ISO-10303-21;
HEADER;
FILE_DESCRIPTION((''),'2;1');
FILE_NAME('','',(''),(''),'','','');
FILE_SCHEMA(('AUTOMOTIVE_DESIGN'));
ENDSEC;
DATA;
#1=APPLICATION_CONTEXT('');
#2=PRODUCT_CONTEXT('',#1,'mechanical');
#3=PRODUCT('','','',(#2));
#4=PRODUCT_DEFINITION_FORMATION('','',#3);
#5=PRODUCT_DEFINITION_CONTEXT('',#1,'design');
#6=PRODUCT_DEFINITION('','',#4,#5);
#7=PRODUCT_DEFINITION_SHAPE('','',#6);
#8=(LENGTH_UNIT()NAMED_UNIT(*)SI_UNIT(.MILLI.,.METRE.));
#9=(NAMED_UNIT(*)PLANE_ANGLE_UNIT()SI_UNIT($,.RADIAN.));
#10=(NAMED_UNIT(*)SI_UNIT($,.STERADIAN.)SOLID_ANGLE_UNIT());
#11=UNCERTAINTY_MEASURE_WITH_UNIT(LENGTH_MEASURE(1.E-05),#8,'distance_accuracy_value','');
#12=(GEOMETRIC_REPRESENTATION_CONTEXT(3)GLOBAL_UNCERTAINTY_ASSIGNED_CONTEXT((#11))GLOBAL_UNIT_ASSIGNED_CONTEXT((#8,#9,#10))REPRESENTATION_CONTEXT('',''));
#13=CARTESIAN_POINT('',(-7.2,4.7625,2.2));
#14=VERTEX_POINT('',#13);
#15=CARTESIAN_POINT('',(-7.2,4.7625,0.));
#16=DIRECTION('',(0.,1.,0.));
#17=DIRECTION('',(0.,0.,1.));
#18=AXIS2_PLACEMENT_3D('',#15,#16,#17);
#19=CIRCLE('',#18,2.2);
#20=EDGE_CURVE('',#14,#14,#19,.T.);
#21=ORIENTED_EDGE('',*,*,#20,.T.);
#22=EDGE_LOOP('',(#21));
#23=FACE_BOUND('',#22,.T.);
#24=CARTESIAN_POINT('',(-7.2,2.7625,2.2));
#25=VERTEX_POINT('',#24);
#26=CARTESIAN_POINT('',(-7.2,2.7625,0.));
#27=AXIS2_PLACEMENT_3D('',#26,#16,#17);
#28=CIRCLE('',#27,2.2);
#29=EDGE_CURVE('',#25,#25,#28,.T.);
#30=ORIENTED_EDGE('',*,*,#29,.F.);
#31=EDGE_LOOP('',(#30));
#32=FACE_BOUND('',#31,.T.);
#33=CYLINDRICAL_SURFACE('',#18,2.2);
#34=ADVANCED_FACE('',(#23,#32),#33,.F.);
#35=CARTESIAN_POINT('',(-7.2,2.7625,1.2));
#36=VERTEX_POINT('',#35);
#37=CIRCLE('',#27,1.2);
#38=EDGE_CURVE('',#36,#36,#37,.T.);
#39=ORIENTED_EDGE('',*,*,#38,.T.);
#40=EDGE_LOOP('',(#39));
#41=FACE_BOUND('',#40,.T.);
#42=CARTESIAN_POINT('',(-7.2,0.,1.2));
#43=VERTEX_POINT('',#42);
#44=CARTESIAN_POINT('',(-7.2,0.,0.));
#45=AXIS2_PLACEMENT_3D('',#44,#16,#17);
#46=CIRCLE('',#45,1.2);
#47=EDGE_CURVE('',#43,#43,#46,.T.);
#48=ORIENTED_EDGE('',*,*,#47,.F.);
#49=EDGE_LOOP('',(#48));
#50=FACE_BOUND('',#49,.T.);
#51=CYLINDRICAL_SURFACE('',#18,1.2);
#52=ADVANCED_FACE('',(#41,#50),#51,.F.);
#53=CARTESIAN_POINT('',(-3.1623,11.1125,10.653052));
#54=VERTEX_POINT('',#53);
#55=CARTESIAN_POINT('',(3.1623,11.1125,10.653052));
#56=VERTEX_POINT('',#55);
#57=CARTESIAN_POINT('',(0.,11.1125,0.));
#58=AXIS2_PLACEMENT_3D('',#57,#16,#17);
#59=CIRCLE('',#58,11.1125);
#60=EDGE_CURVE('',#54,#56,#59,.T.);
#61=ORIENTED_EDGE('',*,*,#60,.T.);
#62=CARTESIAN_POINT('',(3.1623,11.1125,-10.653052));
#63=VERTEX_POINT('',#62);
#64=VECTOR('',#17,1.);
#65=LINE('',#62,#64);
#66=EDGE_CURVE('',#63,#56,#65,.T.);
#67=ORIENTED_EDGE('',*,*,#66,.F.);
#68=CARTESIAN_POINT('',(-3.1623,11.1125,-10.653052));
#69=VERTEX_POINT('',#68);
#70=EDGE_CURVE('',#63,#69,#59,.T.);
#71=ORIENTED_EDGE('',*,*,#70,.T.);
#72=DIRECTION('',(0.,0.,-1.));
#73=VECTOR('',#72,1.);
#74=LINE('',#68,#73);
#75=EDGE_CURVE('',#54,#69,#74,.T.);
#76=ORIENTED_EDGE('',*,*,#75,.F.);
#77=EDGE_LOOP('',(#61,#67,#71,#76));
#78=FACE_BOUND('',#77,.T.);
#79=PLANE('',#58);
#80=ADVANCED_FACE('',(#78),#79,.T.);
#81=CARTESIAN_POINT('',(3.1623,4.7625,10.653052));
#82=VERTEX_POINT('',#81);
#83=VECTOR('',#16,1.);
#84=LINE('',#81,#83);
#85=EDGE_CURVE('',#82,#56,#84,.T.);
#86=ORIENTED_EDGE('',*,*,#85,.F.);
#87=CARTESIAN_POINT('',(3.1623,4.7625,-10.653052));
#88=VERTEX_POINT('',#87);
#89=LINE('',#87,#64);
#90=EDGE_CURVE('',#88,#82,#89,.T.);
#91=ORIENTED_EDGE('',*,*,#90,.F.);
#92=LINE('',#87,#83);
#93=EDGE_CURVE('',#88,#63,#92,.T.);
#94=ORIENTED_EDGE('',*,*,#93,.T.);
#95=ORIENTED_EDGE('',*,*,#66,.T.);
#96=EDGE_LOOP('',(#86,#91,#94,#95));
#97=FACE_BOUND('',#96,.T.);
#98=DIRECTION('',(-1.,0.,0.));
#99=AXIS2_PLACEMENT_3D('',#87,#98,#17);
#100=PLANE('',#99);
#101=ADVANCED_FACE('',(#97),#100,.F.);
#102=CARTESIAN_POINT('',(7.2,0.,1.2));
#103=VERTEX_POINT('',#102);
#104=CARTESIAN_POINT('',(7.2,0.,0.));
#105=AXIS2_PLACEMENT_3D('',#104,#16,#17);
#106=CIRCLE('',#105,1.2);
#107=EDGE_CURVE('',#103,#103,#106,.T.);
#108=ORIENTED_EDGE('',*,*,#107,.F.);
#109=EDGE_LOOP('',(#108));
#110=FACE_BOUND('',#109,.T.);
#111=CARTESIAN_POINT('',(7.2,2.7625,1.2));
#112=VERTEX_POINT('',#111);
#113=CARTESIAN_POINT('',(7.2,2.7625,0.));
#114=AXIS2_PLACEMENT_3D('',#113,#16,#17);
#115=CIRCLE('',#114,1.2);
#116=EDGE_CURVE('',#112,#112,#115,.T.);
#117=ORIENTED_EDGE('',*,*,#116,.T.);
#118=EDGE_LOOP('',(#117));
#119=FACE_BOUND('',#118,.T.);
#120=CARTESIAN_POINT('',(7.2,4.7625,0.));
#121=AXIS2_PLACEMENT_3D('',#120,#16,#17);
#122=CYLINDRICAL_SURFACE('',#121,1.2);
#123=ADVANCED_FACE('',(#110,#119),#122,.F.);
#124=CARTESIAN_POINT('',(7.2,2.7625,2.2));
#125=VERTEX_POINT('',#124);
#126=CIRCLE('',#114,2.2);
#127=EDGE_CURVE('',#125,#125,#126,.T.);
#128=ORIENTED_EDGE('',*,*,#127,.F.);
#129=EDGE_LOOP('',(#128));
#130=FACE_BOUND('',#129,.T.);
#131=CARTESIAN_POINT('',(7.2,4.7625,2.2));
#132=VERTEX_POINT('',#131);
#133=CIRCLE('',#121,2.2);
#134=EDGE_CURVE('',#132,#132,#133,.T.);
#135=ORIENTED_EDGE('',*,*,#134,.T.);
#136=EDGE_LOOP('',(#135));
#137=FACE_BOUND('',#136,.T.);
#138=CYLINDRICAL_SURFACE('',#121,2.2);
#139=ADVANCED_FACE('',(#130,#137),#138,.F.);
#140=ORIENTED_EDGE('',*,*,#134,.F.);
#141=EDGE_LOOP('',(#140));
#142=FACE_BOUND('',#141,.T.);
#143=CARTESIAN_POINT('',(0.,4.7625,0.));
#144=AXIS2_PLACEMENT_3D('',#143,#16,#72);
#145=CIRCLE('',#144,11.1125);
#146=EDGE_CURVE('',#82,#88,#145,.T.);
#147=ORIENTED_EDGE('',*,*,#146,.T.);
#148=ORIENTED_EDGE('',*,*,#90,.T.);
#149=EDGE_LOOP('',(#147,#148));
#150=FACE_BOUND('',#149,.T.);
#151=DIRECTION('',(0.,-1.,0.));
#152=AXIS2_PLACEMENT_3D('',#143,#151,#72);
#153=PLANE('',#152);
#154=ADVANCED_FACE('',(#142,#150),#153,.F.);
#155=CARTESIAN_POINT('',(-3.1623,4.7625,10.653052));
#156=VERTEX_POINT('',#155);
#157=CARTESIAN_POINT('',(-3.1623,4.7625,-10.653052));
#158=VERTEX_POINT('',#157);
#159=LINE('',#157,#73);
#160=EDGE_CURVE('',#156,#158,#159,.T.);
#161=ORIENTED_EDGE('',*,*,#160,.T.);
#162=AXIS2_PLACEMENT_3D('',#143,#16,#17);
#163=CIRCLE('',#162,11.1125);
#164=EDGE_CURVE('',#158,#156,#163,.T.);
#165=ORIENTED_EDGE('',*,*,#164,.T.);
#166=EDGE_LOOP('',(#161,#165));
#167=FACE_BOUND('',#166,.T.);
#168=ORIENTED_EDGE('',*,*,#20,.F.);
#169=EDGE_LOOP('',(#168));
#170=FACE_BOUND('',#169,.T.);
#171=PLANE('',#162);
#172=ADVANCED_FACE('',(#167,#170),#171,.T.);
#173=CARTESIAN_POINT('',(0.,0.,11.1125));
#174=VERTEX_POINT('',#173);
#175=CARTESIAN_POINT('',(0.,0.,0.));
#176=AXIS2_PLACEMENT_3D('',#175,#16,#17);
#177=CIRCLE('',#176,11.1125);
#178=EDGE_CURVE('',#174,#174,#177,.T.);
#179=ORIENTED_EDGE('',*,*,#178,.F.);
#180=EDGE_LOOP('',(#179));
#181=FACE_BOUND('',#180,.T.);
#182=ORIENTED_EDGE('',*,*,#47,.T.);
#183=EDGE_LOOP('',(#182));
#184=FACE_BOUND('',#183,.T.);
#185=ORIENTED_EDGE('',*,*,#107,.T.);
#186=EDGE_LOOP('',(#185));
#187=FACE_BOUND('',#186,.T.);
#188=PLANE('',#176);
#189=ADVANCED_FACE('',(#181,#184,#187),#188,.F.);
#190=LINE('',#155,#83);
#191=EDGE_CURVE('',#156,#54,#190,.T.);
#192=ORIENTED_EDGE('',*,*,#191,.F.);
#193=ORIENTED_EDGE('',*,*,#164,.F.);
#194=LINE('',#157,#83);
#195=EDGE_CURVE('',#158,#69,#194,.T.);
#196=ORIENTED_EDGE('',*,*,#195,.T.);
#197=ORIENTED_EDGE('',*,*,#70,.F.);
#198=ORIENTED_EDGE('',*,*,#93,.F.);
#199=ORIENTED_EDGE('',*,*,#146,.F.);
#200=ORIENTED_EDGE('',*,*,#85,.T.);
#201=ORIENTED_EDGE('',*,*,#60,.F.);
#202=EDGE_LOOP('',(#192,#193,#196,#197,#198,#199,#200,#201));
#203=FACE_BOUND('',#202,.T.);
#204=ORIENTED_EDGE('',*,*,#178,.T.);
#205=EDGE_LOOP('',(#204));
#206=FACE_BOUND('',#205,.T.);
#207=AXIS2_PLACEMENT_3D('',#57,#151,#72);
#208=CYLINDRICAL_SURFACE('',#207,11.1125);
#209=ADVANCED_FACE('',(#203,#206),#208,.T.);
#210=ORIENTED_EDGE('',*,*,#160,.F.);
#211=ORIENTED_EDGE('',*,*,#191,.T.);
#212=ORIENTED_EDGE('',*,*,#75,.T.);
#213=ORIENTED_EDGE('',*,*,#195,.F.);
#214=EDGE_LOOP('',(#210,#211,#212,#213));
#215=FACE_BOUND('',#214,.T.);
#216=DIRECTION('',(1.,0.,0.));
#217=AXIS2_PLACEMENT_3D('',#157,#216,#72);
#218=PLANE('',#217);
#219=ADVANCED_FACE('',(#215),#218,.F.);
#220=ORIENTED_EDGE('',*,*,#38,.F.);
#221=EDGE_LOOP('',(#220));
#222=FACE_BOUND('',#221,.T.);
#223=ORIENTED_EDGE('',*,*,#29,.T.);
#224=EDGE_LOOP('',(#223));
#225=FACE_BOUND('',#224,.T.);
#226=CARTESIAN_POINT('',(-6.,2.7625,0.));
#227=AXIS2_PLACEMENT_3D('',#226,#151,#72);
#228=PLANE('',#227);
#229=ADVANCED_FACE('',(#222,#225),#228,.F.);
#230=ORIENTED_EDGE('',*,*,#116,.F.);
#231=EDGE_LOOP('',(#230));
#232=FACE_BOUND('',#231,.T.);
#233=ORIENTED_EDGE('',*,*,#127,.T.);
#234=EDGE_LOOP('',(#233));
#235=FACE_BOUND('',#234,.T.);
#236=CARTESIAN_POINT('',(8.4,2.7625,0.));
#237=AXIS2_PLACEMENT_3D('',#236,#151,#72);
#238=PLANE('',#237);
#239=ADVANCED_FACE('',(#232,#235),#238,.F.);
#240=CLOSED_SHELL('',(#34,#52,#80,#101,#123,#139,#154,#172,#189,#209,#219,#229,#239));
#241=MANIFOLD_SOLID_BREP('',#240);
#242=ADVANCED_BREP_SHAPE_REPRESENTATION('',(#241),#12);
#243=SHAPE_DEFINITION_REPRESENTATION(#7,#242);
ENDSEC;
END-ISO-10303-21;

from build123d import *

# Parameters (mm, degrees)
SKETCH1_R                      = 11.1125
BOSS_EXTRUDE1_DEPTH            = 11.1125
CUT_EXTRUDE1_START             = -6.35
CUT_EXTRUDE1_DEPTH             = 6.35
CBORE_FOR_M2_SHCS1_D           = 2.4
CBORE_FOR_M2_SHCS1_CBORE_D     = 4.4
CBORE_FOR_M2_SHCS1_CBORE_DEPTH = 2


with BuildPart() as part:
    # Sketch1 → Boss-Extrude1 (new body)
    with BuildSketch(Plane(origin=(0, 0, 0), x_dir=(1, 0, 0), z_dir=(0, 1, 0))):
        with Locations(Location((0, 0, 0), (0, 0, 270))):
            Circle(SKETCH1_R)
    extrude(amount=BOSS_EXTRUDE1_DEPTH)

    # Sketch2 → Cut-Extrude1 (cut)
    with BuildSketch(Plane(origin=(0, 11.1125, 0), x_dir=(1, 0, 0), z_dir=(0, 1, 0)).offset(CUT_EXTRUDE1_START)):
        with BuildLine():
            Line((-3.1623, 10.653051908), (-3.1623, -10.653051908))
            ThreePointArc((-3.1623, -10.653051908), (-11.1125, 0), (-3.1623, 10.653051908))
        make_face()
        with BuildLine():
            Line((3.1623, 10.653051908), (3.1623, -10.653051908))
            ThreePointArc((3.1623, -10.653051908), (11.1125, 0), (3.1623, 10.653051908))
        make_face()
    extrude(amount=CUT_EXTRUDE1_DEPTH, mode=Mode.SUBTRACT)

    # CBORE for M2 SHCS1 (through all)
    with Locations(Plane(origin=(0, 4.7625, 0), x_dir=(1, 0, 0), z_dir=(0, 1, 0))):
        with Locations((-7.2, 0), (7.2, 0)):
            CounterBoreHole(CBORE_FOR_M2_SHCS1_D / 2, CBORE_FOR_M2_SHCS1_CBORE_D / 2, CBORE_FOR_M2_SHCS1_CBORE_DEPTH)


solid = part.part
